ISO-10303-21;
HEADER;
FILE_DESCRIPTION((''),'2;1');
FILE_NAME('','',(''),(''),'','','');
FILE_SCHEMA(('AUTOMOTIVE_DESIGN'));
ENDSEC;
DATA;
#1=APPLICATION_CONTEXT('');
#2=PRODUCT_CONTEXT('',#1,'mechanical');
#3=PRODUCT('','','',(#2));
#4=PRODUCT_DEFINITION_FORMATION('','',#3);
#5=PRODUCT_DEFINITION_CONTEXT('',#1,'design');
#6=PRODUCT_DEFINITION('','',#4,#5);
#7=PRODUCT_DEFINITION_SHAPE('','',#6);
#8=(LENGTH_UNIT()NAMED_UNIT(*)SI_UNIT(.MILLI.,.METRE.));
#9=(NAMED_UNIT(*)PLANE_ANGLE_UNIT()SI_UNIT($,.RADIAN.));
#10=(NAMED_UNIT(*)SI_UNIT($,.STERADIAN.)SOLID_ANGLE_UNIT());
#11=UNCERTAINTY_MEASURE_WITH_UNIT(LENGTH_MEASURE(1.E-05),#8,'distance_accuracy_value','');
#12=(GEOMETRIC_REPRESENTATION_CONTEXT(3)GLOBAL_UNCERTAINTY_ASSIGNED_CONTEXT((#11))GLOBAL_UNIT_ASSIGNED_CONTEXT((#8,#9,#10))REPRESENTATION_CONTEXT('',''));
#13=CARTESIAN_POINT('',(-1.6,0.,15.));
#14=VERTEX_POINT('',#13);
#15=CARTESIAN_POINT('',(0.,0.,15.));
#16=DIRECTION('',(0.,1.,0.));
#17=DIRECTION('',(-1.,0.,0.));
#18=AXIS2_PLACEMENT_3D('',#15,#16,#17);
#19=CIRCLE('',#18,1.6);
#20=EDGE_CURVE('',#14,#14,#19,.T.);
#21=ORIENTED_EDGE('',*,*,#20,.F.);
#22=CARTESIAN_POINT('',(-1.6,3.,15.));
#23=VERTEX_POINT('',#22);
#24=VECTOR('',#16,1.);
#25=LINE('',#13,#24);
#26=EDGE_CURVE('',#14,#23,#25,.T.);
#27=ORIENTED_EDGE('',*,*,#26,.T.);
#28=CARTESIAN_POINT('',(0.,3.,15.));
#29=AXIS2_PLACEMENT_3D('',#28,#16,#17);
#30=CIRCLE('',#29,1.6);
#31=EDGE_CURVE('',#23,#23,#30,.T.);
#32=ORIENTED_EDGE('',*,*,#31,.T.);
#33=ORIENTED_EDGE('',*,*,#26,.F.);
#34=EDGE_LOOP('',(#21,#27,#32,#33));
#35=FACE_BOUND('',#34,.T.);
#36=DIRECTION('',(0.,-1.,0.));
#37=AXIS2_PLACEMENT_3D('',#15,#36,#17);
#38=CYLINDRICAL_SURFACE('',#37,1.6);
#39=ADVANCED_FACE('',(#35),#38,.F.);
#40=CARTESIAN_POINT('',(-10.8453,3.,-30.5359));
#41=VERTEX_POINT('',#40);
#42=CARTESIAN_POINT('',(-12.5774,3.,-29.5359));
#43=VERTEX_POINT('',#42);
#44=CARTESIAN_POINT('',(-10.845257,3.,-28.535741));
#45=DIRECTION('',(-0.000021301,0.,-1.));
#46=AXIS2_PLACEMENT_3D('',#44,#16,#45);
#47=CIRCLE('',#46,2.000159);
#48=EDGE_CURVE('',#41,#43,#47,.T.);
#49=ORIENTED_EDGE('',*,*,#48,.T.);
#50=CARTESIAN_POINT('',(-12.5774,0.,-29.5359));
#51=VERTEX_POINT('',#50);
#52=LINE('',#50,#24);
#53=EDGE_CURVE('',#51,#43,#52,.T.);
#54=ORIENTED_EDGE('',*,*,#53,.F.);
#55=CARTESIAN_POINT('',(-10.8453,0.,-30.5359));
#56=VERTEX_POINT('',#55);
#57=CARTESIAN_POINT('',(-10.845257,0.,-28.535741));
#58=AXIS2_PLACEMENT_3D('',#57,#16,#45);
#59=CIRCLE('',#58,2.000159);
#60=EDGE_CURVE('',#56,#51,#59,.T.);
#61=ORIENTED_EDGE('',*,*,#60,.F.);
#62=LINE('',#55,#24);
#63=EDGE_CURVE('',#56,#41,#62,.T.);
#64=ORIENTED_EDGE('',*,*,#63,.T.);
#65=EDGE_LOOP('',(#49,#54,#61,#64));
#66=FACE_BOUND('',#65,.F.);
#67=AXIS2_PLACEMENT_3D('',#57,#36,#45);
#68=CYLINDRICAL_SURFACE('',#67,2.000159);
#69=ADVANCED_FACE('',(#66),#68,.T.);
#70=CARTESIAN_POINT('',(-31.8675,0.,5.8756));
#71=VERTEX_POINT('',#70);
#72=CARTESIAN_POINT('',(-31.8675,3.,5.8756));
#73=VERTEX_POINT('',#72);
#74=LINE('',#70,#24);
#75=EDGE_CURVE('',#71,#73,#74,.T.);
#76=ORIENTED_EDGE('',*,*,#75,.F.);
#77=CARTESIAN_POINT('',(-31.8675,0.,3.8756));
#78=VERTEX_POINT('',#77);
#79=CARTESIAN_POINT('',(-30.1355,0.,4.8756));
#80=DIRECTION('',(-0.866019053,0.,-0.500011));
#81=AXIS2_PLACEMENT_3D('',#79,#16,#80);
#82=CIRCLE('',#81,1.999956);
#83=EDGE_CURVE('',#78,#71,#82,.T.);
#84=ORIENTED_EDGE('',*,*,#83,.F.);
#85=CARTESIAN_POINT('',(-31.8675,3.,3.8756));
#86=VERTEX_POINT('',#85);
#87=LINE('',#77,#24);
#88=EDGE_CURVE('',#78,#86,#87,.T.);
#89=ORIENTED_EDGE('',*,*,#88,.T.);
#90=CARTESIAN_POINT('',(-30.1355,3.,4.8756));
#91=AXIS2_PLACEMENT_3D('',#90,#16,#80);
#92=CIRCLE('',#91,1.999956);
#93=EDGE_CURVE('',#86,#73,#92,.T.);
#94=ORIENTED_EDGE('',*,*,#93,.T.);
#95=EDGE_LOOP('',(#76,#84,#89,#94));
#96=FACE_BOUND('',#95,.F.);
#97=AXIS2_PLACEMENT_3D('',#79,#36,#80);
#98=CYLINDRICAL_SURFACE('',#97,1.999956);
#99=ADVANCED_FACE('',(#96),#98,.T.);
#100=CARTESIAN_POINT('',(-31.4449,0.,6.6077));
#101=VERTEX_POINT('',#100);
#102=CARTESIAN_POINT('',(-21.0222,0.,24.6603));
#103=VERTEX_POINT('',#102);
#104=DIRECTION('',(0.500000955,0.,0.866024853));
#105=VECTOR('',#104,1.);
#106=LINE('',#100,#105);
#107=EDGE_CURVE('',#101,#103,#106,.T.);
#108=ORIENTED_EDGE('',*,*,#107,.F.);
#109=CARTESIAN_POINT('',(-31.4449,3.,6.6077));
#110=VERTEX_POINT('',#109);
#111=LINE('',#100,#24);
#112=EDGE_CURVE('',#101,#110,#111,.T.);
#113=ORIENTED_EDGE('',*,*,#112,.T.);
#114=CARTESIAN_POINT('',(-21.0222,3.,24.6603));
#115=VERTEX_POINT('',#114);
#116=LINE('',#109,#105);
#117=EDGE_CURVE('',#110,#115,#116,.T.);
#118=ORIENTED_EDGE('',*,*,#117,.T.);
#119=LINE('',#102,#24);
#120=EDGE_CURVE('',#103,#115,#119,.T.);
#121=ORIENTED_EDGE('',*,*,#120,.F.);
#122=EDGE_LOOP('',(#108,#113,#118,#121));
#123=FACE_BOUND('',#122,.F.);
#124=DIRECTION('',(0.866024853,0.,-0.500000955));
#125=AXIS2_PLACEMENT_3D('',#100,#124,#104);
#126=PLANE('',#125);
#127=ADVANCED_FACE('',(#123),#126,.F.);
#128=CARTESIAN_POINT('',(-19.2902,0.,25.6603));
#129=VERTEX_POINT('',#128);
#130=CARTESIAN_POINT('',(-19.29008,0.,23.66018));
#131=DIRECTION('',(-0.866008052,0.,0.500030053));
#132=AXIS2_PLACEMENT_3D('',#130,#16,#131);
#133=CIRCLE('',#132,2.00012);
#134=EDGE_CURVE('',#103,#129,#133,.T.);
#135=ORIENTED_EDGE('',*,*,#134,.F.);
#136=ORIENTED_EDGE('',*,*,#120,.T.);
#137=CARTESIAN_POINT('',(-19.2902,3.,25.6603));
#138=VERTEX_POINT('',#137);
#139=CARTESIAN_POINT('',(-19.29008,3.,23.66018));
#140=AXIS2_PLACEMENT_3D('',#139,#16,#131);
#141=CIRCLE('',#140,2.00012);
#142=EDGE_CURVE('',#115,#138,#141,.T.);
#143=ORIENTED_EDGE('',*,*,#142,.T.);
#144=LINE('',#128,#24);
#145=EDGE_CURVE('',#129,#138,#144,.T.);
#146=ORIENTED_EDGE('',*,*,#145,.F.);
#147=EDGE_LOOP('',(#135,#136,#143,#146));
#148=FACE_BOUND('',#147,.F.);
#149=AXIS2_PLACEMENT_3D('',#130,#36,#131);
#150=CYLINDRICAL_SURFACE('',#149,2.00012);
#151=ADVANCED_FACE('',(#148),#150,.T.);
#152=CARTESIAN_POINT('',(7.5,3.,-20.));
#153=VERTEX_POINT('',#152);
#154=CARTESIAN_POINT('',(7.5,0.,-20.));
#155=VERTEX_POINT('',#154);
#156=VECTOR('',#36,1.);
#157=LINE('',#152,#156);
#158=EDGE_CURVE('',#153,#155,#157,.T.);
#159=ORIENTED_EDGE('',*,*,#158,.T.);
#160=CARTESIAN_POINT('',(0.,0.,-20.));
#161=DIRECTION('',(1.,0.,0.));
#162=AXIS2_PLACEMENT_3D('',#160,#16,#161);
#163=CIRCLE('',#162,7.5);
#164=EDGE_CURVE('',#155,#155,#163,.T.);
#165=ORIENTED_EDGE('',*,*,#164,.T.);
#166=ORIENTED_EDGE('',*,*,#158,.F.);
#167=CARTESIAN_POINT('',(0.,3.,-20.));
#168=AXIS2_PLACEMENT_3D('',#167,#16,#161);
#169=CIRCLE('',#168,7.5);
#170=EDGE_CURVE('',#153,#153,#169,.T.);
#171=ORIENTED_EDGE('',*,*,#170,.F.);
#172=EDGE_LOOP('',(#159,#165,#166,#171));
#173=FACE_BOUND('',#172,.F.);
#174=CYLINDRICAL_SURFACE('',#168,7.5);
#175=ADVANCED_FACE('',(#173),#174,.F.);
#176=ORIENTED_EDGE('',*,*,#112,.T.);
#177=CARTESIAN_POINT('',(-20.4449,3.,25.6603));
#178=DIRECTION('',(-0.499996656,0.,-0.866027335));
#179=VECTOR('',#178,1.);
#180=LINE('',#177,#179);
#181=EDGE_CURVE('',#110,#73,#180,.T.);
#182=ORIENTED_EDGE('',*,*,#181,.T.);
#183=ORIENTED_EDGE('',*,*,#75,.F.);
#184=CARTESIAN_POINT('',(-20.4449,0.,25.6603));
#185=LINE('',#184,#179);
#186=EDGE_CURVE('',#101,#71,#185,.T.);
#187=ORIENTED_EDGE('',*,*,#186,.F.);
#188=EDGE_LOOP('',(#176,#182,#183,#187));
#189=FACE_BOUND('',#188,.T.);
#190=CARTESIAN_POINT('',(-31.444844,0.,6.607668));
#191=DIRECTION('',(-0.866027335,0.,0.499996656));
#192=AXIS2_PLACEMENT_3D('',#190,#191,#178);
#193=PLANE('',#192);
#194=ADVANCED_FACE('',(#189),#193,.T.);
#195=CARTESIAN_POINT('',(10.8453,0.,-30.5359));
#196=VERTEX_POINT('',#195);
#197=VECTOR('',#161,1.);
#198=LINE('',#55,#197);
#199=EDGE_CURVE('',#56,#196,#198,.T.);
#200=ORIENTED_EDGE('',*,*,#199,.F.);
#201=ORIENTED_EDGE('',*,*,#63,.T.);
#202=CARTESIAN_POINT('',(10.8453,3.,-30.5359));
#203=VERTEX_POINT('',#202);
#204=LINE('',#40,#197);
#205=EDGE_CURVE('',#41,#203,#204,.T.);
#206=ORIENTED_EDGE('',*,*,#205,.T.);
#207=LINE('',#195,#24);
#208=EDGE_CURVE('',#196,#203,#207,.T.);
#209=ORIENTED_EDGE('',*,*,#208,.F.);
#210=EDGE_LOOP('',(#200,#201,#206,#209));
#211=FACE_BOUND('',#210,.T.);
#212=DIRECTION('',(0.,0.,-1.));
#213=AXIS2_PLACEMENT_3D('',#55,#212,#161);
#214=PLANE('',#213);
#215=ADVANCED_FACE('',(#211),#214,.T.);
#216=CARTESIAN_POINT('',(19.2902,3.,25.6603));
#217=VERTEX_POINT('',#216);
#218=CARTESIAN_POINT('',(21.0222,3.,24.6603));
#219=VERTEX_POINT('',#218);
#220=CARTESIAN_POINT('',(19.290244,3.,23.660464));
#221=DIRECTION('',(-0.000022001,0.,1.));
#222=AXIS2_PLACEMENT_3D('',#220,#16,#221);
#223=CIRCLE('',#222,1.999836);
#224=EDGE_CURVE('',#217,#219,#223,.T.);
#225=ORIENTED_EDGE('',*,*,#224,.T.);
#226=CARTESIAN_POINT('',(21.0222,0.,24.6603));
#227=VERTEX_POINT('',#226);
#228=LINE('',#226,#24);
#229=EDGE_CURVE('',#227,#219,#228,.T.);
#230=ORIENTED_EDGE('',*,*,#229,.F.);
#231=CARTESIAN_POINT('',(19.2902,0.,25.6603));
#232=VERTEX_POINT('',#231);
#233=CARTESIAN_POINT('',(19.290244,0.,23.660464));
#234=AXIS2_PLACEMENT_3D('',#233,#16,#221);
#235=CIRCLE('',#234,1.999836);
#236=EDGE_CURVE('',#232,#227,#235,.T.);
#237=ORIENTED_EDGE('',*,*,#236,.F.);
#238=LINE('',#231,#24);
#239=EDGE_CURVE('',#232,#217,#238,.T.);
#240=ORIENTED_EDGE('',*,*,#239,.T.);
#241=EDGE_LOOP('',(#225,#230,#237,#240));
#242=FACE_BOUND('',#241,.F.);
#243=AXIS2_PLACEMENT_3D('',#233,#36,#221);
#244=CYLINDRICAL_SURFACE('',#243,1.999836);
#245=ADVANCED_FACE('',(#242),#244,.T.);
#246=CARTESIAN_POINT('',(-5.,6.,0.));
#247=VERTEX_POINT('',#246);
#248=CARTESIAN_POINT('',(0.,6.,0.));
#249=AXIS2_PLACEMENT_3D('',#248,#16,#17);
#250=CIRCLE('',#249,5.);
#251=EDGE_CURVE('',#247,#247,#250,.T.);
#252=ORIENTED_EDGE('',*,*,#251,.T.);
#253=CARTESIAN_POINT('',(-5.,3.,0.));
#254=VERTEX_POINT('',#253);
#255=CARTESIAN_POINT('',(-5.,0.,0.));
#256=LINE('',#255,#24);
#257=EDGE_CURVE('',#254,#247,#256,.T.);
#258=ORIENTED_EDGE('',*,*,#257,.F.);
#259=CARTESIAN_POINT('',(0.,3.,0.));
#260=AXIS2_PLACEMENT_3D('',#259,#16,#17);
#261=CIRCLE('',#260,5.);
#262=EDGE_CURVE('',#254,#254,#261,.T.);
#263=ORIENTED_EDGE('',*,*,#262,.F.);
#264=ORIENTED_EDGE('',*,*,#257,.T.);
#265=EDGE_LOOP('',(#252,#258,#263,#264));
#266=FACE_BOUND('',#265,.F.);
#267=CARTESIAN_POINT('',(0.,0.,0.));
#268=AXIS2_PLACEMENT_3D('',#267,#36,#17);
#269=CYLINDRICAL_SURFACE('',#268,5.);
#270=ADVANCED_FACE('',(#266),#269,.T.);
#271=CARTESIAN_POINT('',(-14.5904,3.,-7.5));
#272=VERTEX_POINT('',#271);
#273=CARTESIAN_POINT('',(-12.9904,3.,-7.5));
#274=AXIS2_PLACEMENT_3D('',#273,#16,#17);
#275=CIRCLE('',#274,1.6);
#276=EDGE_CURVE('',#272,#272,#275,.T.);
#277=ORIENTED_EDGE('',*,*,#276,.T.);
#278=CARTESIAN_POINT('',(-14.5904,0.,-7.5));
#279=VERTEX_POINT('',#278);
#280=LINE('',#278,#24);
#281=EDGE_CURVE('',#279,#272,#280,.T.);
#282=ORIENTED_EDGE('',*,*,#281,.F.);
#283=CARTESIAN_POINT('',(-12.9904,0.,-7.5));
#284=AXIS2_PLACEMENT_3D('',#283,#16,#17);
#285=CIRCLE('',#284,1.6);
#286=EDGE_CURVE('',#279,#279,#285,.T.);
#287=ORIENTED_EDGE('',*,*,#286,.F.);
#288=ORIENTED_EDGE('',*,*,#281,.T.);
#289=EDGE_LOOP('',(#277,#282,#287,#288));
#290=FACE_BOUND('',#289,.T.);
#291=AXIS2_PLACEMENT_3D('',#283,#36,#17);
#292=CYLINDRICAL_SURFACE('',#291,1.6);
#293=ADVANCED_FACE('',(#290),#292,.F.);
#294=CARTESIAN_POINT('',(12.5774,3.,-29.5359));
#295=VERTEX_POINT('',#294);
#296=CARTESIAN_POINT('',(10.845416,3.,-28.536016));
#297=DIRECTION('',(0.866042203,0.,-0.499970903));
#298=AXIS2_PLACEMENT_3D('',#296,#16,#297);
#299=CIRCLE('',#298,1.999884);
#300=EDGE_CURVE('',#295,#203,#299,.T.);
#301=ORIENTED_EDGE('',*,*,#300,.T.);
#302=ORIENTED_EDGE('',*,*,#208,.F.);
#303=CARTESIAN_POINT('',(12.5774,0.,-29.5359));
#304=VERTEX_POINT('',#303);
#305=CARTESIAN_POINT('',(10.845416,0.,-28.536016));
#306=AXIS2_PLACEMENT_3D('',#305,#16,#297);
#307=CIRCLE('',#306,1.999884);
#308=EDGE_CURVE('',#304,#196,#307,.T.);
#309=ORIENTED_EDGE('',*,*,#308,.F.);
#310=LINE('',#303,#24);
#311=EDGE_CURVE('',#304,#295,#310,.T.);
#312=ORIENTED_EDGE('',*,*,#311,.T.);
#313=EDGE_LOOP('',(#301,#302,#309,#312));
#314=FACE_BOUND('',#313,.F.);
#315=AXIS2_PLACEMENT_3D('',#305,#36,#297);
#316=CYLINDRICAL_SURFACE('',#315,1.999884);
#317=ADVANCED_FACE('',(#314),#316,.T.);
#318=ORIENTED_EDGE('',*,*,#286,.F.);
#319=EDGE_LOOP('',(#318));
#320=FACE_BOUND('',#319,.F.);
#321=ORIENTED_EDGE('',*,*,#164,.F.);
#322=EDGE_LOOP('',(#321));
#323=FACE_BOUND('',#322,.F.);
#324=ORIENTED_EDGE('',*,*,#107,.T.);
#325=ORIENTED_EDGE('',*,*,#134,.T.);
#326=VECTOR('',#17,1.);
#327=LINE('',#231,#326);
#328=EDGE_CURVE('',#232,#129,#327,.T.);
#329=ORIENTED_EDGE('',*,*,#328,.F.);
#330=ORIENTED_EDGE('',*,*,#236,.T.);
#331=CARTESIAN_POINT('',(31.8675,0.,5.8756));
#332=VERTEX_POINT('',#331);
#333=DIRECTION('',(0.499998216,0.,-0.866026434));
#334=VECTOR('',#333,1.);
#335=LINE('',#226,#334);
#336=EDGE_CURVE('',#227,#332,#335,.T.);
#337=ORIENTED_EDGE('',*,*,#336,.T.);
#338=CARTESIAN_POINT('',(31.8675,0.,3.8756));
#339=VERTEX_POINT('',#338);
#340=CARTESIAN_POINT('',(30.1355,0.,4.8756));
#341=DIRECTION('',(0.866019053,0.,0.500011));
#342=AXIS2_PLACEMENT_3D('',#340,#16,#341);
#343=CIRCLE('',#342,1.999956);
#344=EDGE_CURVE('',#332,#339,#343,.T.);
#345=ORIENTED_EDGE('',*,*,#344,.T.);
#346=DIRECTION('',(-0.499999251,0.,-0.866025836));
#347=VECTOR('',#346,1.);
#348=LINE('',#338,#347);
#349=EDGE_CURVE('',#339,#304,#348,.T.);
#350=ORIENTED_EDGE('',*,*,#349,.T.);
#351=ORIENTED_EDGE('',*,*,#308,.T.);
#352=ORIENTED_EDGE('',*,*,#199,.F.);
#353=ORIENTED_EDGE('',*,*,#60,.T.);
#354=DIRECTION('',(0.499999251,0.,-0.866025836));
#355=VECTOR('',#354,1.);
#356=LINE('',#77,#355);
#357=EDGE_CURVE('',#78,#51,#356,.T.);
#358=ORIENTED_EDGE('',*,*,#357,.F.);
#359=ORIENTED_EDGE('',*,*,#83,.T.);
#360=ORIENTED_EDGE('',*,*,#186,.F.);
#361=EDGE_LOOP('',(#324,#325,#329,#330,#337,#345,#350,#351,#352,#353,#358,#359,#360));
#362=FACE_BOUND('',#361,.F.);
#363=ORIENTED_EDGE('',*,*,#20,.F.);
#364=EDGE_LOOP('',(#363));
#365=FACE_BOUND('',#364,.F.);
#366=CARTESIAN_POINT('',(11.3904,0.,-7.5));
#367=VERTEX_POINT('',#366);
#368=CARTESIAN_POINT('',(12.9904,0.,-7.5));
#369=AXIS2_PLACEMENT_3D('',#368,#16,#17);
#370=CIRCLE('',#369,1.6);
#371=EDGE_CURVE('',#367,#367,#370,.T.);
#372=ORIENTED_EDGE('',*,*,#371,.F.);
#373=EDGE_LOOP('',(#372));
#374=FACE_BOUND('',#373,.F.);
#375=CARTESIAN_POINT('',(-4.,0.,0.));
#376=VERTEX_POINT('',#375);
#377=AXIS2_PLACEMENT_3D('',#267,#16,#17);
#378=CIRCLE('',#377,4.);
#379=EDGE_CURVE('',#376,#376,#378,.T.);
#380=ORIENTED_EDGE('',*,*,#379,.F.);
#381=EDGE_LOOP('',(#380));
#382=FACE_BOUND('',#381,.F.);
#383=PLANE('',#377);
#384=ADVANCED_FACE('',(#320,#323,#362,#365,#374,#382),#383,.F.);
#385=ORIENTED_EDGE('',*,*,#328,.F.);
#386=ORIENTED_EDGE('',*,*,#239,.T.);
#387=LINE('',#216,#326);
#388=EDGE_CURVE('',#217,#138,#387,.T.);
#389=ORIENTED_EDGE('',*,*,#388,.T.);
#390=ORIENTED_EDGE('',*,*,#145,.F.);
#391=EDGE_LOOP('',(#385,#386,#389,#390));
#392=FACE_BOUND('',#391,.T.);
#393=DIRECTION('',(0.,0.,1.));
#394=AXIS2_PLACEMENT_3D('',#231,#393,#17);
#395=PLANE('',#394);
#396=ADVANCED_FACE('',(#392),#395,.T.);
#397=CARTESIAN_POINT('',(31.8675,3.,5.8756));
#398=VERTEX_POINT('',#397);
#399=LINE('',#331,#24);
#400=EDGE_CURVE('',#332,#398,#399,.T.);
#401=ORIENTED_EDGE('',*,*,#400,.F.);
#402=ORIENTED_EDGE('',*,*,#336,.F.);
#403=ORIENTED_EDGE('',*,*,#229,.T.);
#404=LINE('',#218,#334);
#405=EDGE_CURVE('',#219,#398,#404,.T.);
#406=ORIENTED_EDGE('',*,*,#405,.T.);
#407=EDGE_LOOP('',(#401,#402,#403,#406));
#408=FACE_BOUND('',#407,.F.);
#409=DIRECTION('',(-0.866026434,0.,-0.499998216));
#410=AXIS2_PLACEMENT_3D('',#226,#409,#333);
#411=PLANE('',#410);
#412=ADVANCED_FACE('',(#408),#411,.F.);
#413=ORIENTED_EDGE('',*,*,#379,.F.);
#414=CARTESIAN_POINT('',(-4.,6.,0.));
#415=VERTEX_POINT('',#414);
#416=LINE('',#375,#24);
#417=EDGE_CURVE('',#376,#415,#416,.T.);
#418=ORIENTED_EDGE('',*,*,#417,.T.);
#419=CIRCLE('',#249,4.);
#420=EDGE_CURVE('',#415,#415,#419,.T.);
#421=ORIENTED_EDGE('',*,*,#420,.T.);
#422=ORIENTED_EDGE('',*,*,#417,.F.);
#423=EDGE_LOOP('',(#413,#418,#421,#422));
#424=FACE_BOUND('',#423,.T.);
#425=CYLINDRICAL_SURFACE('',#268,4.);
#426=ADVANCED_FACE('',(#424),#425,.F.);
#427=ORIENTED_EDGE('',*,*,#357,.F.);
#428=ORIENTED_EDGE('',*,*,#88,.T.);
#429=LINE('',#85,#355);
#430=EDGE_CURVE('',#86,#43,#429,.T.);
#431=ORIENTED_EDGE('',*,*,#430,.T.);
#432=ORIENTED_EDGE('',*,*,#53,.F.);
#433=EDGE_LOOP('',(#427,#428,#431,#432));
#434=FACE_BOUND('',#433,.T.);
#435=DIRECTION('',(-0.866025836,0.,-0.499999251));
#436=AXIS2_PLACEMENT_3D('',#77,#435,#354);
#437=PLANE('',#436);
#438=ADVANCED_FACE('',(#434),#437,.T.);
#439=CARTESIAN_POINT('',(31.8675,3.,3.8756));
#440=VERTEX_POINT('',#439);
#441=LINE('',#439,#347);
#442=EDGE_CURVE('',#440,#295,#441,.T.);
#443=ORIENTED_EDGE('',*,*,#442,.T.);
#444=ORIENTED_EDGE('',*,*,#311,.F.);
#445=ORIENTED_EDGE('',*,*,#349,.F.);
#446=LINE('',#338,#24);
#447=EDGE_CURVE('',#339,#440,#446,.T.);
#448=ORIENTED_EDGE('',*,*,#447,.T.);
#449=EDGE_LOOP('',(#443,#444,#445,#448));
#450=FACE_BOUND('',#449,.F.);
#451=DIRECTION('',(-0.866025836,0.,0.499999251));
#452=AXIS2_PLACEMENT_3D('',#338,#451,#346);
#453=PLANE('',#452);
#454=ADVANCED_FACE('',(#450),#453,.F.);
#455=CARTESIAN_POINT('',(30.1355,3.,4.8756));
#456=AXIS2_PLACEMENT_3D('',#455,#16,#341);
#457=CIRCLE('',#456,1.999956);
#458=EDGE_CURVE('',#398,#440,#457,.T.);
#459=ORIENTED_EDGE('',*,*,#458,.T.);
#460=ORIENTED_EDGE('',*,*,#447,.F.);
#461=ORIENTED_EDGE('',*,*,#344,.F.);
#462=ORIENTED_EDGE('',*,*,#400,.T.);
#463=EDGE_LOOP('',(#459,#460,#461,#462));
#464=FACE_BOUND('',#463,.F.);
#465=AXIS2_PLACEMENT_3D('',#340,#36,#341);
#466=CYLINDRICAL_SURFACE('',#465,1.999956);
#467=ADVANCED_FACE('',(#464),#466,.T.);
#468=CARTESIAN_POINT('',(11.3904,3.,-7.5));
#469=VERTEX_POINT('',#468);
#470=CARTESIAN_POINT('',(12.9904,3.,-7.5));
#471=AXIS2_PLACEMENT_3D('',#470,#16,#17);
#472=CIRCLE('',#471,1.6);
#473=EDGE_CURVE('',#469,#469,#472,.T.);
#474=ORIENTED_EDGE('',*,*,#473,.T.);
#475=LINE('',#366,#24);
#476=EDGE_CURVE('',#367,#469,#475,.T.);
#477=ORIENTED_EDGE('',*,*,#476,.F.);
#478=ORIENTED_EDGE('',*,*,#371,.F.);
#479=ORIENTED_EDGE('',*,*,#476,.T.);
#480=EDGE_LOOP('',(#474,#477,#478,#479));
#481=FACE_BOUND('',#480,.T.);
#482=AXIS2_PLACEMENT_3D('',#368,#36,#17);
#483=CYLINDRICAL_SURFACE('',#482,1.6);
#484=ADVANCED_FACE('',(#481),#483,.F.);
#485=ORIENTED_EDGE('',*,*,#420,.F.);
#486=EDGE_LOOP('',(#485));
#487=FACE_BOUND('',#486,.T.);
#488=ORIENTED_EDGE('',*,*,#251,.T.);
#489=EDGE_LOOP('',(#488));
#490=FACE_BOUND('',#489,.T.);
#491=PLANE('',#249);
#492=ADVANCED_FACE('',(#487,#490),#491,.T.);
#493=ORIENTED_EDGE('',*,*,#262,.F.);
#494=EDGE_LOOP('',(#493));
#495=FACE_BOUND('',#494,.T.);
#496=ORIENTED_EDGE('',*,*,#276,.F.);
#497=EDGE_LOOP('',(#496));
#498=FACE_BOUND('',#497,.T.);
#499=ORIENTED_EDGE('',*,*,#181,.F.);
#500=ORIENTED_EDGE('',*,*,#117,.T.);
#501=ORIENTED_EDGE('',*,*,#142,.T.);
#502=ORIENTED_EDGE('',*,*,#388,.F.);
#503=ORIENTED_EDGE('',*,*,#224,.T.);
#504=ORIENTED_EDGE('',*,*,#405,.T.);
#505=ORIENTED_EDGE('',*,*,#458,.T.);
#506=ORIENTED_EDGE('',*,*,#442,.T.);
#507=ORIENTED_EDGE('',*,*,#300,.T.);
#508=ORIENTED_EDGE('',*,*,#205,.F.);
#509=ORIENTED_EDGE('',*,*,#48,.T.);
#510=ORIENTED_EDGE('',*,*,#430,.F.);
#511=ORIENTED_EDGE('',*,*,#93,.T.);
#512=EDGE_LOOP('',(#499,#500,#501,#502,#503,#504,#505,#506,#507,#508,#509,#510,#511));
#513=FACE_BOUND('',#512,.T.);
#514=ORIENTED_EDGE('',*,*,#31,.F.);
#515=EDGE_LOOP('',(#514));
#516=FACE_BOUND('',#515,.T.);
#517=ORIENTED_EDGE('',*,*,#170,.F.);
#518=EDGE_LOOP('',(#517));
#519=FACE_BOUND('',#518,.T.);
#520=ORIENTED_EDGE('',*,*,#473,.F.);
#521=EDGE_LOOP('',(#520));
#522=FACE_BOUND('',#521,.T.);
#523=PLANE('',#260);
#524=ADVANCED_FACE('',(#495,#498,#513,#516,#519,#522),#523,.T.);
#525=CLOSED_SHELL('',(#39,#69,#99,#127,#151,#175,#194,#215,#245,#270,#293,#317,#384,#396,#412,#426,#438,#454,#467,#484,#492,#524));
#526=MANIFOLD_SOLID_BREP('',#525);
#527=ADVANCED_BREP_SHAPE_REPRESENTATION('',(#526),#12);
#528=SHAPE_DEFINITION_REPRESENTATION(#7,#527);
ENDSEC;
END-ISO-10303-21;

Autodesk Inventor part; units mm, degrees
ref_plane "YZ Plane" through (0, 0, 0) normal (1, 0, 0) x (0, 1, 0)
ref_plane "XZ Plane" through (0, 0, 0) normal (0, 1, 0) x (-1, 0, 0)
ref_plane "XY Plane" through (0, 0, 0) normal (0, 0, 1) x (1, 0, 0)
sketch "Sketch1" plane through (0, 0, 0) normal (0, 1, 0) x (-1, 0, 0)
  circle A0 centre (-12.9904, -7.5) radius 1.6
  circle A1 centre (12.9904, -7.5) radius 1.6
  circle A2 centre (0, 15) radius 1.6
  line L0 (31.4449, 6.6077) -> (21.0222, 24.6603)
  line L1 (10.8453, -30.5359) -> (-10.8453, -30.5359)
  line L2 (-21.0222, 24.6603) -> (-31.8675, 5.8756)
  line L3 (-31.8675, 3.8756) -> (-12.5774, -29.5359)
  line L4 (-19.2902, 25.6603) -> (19.2902, 25.6603)
  line L5 (20.4449, 25.6603) -> (31.8675, 5.8756)
  line L6 (31.8675, 3.8756) -> (12.5774, -29.5359)
  arc A3 (21.0222, 24.6603) -> (19.2902, 25.6603) centre (19.2902, 23.6603) ccw
  arc A4 (31.8675, 3.8756) -> (31.8675, 5.8756) centre (30.1355, 4.8756) ccw
  arc A5 (10.8453, -30.5359) -> (12.5774, -29.5359) centre (10.8453, -28.5359) ccw
  arc A6 (-12.5774, -29.5359) -> (-10.8453, -30.5359) centre (-10.8453, -28.5359) ccw
  arc A7 (-19.2902, 25.6603) -> (-21.0222, 24.6603) centre (-19.2902, 23.6603) ccw
  arc A8 (-31.8675, 5.8756) -> (-31.8675, 3.8756) centre (-30.1355, 4.8756) ccw
  circle A9 centre (0, 0) radius 4
  circle A10 centre (0, 0) radius 5
  dimension "d41" = 360
  dimension "d76" = 2
  dimension "d84" = 8
  dimension "d86" = 10
extrude "Extrusion8" add sketch "Sketch1" along normal blind 3 contours L5 A4 L6 A5 L1 A6 L3 A8 L2 A7 L4 A3 L0
extrude "Extrusion9" add sketch "Sketch1" along normal blind 6 contours A10
sketch "Sketch4" plane through (0, 3, 0) normal (0, 1, 0) x (1, 0, 0)
  point P0 (0, 0)
sketch "Sketch5" plane through (0, 3, 0) normal (0, 1, 0) x (1, 0, 0)
  circle A0 centre (0, 20) radius 7.5
  point P0 (0, 0)
  dimension "d91" = 15
extrude "Extrusion10" cut sketch "Sketch5" against normal blind 6
equation "\"BendRadius\" = Thickness"
equation "\"BendReliefWidth\" = Thickness"
equation "\"BendReliefDepth\" = 0.5 * Thickness"
equation "\"CornerReliefSize\" = 4 * Thickness"
equation "\"MinimumRemnant\" = 2 * Thickness"
equation "\"TransitionRadius\" = BendRadius"
equation "\"JacobiRadiusSize\" = BendRadius"
equation "\"GapSize\" = Thickness"
equation "\"Thickness\" = 0.5"
properties part number "Draw_Pen"
